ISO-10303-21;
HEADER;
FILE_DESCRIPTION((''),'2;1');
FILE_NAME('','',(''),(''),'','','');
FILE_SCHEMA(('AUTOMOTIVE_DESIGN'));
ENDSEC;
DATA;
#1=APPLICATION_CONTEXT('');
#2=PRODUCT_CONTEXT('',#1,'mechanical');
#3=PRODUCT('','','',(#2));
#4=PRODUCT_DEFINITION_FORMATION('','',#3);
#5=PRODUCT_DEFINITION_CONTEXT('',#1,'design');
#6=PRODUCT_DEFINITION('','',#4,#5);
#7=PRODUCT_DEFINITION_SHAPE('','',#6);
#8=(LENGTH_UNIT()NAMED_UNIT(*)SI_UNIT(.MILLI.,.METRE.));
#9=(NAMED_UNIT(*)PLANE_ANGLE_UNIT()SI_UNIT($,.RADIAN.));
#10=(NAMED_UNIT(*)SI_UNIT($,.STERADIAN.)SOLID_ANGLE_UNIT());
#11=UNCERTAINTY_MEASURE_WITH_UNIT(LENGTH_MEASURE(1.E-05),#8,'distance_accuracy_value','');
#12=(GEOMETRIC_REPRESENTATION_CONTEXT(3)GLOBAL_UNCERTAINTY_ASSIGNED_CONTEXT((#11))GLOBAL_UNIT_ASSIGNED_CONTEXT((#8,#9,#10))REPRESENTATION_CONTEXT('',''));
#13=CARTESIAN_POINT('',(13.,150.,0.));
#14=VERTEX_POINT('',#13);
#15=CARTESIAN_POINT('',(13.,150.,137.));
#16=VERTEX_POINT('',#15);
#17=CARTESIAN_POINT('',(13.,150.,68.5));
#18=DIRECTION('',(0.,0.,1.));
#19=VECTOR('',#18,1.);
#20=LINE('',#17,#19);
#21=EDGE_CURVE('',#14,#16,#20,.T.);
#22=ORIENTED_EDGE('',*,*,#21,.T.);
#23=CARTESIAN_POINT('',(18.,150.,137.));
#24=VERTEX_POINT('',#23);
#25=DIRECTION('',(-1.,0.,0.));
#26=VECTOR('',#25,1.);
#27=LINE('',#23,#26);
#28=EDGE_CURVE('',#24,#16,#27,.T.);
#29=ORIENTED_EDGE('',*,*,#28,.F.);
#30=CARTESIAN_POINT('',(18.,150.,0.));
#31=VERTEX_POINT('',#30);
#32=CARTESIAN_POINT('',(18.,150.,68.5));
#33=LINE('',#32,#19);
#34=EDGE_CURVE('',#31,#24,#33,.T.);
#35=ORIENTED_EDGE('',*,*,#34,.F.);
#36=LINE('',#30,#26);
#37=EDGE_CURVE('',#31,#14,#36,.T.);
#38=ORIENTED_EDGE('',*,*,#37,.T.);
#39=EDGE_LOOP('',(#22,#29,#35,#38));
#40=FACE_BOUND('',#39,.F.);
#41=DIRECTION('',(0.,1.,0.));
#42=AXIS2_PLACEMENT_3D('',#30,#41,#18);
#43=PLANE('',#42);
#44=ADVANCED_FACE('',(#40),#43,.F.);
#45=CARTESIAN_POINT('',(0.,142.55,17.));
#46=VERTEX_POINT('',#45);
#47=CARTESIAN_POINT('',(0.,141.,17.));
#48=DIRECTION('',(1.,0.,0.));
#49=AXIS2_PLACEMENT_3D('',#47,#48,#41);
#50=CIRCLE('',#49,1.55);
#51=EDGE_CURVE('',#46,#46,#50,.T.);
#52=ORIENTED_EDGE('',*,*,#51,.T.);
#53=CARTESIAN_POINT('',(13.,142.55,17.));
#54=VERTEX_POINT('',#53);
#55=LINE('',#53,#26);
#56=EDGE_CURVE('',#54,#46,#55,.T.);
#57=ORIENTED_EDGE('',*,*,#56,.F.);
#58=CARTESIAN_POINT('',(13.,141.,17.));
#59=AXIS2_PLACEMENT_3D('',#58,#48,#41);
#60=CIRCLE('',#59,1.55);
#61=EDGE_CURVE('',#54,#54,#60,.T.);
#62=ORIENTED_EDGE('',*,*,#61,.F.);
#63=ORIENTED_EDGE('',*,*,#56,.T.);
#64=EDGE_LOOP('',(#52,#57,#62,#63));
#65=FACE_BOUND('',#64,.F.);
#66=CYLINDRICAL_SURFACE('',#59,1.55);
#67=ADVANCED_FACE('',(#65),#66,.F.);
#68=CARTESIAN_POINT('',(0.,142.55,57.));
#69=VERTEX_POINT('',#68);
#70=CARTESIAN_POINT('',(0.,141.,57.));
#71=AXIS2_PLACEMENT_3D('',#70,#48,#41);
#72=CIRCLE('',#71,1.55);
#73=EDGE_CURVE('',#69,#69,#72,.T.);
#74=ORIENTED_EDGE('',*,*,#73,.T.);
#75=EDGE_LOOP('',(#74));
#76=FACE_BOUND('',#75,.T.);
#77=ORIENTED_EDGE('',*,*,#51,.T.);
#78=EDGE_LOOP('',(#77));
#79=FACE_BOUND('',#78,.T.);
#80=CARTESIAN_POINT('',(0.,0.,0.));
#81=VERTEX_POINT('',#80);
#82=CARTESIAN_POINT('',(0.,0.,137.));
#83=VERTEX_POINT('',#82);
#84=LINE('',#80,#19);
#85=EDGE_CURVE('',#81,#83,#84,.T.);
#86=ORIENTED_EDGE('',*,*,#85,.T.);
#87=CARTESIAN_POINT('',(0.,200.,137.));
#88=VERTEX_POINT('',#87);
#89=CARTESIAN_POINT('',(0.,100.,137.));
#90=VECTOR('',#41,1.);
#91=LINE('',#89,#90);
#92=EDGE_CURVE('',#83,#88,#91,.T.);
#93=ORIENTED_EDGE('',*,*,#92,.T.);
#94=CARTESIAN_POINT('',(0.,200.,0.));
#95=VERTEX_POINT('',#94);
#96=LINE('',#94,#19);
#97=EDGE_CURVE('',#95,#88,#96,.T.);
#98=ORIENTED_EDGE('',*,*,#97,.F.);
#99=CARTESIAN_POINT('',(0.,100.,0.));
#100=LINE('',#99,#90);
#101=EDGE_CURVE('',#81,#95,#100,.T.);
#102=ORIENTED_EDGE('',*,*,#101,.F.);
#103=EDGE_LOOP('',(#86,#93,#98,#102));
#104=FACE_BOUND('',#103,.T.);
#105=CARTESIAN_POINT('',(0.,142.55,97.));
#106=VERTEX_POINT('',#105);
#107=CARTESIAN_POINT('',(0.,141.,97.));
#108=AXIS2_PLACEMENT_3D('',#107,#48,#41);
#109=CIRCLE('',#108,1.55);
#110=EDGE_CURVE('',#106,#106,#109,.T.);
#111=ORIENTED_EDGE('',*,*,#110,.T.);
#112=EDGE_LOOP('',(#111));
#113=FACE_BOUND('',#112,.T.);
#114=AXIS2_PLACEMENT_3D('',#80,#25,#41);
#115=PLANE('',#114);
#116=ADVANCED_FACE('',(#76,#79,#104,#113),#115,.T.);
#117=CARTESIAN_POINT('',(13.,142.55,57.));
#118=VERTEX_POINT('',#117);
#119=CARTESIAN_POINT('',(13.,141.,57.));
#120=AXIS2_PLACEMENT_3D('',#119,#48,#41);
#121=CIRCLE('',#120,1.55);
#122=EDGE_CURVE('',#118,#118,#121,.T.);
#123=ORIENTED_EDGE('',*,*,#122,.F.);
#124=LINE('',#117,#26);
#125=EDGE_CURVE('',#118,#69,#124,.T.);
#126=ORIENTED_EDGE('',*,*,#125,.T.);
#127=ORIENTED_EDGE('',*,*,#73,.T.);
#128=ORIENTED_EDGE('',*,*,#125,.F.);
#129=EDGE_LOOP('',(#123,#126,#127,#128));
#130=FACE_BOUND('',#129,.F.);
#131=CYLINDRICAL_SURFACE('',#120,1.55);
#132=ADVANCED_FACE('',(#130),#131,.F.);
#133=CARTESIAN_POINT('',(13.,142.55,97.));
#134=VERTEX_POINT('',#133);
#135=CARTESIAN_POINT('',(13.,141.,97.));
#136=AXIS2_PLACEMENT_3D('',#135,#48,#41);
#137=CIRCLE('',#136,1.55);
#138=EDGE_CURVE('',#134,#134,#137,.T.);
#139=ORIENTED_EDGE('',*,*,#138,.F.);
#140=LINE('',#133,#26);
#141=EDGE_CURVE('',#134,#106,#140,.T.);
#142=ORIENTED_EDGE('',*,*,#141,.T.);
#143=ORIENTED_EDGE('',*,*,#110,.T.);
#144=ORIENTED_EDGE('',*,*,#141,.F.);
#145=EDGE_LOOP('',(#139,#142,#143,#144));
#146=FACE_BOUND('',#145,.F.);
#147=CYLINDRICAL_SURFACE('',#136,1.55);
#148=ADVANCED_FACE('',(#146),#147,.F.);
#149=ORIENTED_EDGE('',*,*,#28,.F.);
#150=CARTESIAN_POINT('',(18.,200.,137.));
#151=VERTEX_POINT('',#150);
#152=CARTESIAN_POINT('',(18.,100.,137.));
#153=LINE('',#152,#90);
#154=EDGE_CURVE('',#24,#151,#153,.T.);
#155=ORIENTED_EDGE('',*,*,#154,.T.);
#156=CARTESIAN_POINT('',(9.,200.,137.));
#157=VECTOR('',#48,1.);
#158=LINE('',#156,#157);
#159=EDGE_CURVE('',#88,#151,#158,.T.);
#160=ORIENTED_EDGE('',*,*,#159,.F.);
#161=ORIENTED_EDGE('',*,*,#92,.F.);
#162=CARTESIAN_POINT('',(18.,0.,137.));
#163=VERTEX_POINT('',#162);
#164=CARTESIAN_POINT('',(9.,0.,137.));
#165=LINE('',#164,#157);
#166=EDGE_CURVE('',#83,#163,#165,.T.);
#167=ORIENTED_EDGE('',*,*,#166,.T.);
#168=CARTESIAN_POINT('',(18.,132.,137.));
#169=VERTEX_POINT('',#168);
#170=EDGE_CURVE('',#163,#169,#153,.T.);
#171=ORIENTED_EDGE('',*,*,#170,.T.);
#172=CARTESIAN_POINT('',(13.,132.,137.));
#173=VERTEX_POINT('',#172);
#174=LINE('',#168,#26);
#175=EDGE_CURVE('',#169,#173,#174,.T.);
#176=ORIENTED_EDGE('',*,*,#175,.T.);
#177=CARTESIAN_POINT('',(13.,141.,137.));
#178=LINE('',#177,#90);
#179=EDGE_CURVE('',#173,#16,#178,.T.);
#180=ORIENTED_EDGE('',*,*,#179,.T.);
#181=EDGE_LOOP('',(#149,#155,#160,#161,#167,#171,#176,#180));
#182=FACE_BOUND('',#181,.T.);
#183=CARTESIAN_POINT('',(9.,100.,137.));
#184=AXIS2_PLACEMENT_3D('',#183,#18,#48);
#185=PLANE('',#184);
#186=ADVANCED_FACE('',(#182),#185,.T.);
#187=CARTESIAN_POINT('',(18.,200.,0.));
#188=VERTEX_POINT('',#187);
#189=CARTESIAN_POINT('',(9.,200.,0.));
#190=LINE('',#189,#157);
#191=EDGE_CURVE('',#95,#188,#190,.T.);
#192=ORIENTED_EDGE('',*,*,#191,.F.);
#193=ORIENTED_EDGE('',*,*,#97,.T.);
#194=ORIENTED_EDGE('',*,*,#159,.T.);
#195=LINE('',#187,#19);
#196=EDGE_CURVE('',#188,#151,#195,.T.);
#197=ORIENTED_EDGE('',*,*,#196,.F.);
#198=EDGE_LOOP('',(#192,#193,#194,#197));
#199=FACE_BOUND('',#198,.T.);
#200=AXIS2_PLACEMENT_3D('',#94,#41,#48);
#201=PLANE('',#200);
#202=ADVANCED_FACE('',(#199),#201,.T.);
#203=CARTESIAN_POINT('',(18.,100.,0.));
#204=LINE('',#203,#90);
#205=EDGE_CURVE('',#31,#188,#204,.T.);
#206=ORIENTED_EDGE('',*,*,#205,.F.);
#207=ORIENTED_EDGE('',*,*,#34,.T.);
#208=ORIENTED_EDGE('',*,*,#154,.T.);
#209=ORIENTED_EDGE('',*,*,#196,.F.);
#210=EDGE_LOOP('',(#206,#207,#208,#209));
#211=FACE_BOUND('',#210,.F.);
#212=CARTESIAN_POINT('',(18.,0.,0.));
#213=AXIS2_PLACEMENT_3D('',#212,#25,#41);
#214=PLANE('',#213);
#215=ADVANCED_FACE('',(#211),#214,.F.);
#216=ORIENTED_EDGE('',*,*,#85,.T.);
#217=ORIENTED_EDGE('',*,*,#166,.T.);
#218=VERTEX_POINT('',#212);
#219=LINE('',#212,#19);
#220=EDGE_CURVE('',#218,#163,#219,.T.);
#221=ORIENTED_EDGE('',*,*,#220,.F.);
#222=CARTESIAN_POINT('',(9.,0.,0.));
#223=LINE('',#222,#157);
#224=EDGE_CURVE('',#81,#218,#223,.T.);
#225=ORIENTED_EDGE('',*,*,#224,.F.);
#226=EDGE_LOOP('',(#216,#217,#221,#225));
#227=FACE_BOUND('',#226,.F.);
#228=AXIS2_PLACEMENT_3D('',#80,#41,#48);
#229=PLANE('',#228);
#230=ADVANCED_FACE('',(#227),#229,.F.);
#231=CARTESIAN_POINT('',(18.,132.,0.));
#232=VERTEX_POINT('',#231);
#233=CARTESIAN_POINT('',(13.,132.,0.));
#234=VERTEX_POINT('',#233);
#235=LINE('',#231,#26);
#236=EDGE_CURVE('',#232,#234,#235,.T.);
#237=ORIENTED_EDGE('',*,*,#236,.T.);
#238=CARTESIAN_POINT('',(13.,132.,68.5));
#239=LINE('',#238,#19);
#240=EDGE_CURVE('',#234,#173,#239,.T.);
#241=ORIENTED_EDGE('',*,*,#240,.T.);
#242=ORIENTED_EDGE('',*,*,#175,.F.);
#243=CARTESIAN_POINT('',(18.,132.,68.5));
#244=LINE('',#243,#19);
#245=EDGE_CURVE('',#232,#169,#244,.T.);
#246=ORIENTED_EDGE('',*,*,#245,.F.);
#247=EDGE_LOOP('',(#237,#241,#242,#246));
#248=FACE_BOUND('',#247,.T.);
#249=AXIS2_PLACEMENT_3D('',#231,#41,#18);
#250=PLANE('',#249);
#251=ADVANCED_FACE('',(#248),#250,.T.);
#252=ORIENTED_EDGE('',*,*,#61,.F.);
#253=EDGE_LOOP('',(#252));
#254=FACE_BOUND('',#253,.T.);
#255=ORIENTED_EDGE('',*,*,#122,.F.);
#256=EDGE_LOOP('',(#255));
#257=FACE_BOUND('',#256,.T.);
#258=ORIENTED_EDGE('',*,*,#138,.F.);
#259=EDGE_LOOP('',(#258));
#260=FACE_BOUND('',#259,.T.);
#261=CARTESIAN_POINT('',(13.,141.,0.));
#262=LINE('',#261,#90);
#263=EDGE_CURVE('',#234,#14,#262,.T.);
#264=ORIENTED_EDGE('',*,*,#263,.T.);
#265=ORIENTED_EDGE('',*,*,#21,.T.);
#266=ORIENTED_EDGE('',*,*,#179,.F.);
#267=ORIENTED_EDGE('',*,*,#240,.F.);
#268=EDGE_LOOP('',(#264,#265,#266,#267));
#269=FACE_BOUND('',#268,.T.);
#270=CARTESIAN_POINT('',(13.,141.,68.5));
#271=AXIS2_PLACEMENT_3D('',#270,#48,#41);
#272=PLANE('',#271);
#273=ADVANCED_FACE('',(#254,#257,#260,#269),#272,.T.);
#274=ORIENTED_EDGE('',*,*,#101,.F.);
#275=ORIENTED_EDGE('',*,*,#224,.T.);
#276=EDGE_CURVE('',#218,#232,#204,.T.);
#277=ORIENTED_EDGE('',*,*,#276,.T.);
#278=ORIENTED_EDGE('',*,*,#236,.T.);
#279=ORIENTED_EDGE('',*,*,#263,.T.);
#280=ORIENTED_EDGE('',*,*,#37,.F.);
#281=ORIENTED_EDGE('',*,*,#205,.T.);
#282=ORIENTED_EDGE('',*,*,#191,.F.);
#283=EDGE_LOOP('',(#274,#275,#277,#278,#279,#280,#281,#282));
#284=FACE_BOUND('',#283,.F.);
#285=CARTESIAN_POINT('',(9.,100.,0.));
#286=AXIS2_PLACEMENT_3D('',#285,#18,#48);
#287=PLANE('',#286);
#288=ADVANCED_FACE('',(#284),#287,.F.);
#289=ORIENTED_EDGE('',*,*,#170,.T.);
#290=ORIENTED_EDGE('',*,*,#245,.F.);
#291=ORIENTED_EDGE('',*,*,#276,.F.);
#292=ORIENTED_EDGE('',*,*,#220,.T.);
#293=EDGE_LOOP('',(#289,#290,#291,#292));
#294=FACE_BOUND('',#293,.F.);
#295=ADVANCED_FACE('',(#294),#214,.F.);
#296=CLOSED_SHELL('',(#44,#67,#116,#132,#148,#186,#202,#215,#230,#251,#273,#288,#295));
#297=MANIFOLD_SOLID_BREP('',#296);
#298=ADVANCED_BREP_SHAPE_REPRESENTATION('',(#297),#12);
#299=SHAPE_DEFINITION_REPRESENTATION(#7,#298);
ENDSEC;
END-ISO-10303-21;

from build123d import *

# Parameters (mm, degrees)
BOX_W           = 18
BOX_H           = 200
BOX_DEPTH       = 137
SKETCH001_W     = 18
SKETCH001_H     = 137
POCKET001_DEPTH = 5
SKETCH003_R     = 1.55
HOLE_DEPTH      = 13.001


with BuildPart() as part:
    # Box → Box (new body)
    with BuildSketch(Plane.XY):
        with Locations((9, 100)):
            Rectangle(BOX_W, BOX_H)
    extrude(amount=BOX_DEPTH)

    # Sketch001 (on Face2 of BaseFeature001) → Pocket001 (cut)
    with BuildSketch(Plane.YZ.offset(18)):
        with Locations((141, 68.5)):
            Rectangle(SKETCH001_W, SKETCH001_H)
    extrude(amount=-POCKET001_DEPTH, mode=Mode.SUBTRACT)

    # Sketch003 (on Face9 of Pocket001) → Hole (cut, through all)
    with BuildSketch(Plane.YZ.offset(13)):
        with Locations((141, 97)):
            Circle(SKETCH003_R)
        with Locations((141, 57)):
            Circle(SKETCH003_R)
        with Locations((141, 17)):
            Circle(SKETCH003_R)
    extrude(amount=-HOLE_DEPTH, mode=Mode.SUBTRACT)


solid = part.part
